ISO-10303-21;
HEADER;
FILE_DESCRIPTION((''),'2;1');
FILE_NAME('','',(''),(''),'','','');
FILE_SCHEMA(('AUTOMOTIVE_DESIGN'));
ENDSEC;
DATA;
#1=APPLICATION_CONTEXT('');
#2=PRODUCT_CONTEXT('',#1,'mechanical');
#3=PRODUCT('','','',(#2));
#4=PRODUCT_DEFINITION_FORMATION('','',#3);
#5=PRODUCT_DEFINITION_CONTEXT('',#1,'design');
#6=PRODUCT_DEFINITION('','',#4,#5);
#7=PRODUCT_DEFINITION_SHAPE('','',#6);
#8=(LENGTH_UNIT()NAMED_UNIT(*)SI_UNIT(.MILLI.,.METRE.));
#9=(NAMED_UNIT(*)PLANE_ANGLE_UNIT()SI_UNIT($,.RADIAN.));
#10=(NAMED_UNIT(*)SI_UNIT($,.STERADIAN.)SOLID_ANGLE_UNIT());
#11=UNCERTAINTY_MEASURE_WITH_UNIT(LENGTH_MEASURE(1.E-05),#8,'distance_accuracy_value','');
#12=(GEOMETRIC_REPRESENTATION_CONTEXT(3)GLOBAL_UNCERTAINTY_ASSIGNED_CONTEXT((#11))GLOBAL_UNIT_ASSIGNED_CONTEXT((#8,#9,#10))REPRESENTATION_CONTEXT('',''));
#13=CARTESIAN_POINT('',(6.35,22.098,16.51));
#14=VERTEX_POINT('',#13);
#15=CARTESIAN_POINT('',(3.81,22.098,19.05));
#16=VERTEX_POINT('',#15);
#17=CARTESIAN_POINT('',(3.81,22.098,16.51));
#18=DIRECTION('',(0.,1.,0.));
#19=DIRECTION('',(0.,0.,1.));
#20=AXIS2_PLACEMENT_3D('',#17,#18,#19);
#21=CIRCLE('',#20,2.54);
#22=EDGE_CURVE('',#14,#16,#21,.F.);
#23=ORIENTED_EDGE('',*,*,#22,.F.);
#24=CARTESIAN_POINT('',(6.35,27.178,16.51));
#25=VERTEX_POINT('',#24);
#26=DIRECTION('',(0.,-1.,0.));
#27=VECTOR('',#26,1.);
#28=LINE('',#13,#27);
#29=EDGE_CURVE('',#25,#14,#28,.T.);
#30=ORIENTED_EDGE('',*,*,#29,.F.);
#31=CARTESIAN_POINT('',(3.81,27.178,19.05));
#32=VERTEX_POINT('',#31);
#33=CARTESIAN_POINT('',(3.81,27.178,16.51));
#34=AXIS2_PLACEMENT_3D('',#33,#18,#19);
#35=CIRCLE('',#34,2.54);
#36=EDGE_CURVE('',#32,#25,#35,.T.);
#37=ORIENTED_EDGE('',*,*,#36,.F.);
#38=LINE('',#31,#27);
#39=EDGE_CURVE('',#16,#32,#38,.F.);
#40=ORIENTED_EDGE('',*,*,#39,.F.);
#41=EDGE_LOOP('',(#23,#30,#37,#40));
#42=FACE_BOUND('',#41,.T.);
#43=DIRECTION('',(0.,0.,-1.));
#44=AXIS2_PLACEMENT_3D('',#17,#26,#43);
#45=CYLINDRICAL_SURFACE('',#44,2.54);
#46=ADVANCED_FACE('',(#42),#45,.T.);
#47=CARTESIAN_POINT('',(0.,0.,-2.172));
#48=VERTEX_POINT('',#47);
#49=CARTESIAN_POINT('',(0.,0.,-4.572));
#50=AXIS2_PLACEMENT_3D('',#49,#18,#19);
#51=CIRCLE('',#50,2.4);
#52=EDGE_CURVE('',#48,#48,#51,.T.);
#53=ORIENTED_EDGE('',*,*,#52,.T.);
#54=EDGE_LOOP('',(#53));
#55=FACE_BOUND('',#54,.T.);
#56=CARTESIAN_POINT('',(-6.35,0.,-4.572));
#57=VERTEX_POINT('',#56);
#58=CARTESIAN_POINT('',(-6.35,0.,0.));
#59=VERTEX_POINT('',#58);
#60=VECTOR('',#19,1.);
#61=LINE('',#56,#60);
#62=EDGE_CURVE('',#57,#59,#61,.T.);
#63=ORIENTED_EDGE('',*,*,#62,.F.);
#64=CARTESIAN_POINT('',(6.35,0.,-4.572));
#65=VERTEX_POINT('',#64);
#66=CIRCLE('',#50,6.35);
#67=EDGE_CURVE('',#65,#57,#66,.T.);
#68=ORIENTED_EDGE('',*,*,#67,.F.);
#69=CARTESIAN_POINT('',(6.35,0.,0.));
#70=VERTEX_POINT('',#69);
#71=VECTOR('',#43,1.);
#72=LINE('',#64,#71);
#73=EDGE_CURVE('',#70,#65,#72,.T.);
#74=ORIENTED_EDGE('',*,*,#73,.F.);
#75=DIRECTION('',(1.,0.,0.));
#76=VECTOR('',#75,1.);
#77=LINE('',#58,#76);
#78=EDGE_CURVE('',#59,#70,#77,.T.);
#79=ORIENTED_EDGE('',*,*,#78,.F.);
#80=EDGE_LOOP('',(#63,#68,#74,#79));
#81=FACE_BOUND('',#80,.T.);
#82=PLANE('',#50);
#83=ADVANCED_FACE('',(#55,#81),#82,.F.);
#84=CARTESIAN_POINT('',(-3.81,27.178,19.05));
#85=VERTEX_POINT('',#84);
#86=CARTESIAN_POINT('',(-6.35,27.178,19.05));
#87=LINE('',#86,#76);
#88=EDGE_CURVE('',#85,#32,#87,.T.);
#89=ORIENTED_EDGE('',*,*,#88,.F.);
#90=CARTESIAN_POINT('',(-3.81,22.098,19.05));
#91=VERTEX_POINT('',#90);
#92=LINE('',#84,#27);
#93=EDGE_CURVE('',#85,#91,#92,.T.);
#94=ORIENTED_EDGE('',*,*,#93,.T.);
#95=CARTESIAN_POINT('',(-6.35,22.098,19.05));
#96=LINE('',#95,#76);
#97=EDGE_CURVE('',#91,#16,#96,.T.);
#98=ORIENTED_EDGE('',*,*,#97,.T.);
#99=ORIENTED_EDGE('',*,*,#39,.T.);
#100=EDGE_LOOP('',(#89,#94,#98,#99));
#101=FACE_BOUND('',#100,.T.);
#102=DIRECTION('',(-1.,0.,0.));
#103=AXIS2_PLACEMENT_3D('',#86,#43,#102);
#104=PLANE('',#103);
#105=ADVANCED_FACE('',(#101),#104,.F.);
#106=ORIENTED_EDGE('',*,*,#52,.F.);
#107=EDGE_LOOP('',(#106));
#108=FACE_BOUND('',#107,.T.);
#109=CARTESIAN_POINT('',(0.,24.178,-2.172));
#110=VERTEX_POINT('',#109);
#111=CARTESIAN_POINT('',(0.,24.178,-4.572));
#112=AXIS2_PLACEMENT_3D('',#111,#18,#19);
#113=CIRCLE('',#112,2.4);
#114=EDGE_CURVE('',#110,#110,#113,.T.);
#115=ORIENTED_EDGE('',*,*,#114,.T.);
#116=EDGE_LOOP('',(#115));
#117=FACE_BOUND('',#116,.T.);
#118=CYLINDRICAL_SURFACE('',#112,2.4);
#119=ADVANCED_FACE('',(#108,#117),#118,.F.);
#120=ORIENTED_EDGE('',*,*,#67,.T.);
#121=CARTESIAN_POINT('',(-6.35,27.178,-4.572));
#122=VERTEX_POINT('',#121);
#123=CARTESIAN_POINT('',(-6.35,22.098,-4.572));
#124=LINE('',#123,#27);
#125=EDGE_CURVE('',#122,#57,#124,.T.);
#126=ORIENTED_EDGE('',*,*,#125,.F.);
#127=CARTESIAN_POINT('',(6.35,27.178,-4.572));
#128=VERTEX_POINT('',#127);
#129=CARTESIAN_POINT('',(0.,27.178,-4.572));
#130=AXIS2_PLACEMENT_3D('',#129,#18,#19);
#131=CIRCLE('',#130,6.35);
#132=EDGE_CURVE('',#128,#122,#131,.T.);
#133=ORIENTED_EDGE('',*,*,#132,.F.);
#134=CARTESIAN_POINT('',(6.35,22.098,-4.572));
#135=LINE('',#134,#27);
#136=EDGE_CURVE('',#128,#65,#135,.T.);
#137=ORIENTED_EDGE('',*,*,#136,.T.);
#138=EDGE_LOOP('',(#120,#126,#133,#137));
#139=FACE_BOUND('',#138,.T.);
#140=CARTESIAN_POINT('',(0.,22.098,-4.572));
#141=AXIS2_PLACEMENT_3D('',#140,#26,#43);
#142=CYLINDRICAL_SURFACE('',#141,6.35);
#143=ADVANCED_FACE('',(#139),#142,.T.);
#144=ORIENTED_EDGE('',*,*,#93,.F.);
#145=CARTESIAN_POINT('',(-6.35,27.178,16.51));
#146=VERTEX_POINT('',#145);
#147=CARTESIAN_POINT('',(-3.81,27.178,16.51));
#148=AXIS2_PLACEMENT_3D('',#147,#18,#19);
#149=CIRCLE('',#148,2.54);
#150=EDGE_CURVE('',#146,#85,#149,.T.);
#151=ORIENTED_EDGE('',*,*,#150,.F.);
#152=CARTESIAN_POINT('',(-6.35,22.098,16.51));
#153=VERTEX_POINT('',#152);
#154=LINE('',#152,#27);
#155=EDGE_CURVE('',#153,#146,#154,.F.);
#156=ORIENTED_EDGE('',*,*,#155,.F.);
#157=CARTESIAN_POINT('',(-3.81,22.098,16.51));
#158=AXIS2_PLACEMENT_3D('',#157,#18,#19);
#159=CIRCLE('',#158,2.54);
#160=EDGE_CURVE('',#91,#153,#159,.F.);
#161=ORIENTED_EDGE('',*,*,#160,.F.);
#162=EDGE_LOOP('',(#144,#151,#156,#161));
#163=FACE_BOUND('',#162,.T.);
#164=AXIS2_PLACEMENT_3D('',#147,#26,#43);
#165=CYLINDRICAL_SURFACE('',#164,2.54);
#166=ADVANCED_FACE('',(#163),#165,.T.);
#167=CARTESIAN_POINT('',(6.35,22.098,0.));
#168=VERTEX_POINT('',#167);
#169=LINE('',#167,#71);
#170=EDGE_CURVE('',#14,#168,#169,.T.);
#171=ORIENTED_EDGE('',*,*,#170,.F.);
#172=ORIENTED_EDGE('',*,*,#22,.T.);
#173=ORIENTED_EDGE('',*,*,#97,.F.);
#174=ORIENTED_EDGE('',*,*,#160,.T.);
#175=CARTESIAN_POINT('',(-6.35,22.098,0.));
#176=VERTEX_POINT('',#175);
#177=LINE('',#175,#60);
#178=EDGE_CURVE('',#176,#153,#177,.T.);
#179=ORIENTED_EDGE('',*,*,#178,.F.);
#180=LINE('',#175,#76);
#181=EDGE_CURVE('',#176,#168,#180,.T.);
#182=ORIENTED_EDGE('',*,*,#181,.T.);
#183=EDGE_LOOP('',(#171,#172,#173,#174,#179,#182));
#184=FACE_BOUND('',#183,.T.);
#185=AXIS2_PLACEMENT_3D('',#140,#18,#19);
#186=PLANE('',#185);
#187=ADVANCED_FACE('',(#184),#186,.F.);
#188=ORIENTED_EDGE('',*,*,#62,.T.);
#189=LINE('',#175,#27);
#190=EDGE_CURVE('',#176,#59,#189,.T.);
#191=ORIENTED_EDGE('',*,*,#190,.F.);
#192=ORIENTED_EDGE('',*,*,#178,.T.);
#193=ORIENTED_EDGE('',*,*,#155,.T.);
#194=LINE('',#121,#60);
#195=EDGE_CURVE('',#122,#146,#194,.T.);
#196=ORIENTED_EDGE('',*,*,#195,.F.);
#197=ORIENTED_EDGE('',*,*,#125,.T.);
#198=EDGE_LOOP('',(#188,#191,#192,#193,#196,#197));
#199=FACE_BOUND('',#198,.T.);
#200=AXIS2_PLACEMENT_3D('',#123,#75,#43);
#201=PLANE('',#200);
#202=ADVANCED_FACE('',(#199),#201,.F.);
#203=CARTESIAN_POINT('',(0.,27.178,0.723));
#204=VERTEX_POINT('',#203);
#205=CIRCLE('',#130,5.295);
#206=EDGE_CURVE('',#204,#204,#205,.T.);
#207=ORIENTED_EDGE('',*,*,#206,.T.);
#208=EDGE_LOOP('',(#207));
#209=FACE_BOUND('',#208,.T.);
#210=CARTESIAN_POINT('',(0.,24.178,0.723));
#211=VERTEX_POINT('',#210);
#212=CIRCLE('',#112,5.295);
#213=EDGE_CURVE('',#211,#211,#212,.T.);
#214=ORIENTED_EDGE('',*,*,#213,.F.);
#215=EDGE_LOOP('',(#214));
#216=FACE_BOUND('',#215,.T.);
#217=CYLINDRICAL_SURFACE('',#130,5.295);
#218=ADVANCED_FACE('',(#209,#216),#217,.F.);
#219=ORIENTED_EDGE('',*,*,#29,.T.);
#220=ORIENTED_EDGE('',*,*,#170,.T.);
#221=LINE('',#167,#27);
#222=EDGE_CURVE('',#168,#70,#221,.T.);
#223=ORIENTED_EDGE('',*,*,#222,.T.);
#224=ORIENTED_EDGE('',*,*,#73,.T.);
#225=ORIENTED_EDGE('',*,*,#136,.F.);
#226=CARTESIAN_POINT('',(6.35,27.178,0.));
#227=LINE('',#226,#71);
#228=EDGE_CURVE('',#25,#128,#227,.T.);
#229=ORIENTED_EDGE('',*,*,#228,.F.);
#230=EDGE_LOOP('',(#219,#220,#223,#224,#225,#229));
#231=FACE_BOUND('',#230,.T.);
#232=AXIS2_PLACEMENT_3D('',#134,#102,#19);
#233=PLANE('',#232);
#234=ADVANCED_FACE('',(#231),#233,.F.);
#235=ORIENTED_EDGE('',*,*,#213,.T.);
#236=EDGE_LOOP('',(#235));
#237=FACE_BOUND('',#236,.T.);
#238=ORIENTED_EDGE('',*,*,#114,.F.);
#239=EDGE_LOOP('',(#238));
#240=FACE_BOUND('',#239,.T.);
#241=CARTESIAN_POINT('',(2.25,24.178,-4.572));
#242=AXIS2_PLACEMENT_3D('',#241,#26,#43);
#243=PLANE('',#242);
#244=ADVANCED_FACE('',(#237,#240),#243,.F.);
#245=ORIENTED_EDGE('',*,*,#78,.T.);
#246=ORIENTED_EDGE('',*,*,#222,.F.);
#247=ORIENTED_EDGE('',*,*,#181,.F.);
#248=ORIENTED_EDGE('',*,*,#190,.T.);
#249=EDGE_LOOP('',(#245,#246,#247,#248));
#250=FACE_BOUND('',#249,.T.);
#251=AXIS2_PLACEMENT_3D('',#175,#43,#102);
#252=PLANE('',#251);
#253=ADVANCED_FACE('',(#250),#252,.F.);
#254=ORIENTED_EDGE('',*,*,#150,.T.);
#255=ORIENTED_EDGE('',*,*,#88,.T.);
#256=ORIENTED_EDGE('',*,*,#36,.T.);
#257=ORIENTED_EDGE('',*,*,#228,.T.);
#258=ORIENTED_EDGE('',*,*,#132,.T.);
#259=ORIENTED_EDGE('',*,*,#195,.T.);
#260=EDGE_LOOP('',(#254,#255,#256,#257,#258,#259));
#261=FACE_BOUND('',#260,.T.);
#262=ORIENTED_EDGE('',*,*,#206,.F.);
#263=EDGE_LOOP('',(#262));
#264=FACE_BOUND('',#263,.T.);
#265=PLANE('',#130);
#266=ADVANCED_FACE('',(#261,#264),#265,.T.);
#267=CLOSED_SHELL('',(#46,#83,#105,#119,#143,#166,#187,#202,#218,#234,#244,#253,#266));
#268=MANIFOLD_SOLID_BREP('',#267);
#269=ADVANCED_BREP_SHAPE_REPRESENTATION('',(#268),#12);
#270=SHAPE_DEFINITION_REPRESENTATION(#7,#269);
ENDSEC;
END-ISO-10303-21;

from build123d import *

# Parameters (mm, degrees)
BOSS_EXTRUDE1_DEPTH                              = 22.098
BOSS_EXTRUDE2_DEPTH                              = 5.08
FILLET1_R                                        = 2.54
CBORE_FOR_M4_HEX_HEAD_MACHINE_SCREW1_D           = 4.5
CBORE_FOR_M4_HEX_HEAD_MACHINE_SCREW1_CBORE_D     = 10.59
CBORE_FOR_M4_HEX_HEAD_MACHINE_SCREW1_CBORE_DEPTH = 3
M4_CLEARANCE_HOLE1_D                             = 4.8


with BuildPart() as part:
    # Sketch1 → Boss-Extrude1 (new body)
    with BuildSketch(Plane(origin=(0, 0, 0), x_dir=(1, 0, 0), z_dir=(0, 1, 0))):
        with BuildLine():
            Line((-6.35, 4.572), (-6.35, 0))
            Line((-6.35, 0), (6.35, 0))
            Line((6.35, 0), (6.35, 4.572))
            ThreePointArc((6.35, 4.572), (0, 10.922), (-6.35, 4.572))
        make_face()
    extrude(amount=BOSS_EXTRUDE1_DEPTH)

    # Sketch2 → Boss-Extrude2 (add)
    with BuildSketch(Plane(origin=(0, 22.098, 0), x_dir=(1, 0, 0), z_dir=(0, 1, 0))):
        with BuildLine():
            Line((-6.35, 0), (-6.35, -19.05))
            Line((-6.35, -19.05), (6.35, -19.05))
            Line((6.35, -19.05), (6.35, 0))
            Line((6.35, 0), (6.35, 4.572))
            ThreePointArc((6.35, 4.572), (0, 10.922), (-6.35, 4.572))
            Line((-6.35, 4.572), (-6.35, 0))
        make_face()
    extrude(amount=BOSS_EXTRUDE2_DEPTH)

    # Fillet1
    fillet1_edges = [part.edges().sort_by_distance(p)[0] for p in [
        (6.35, 24.638, 19.05),
        (-6.35, 24.638, 19.05),
    ]]
    fillet(fillet1_edges, radius=FILLET1_R)

    # CBORE for M4 Hex Head Machine Screw1 (through all)
    with Locations(Plane(origin=(0, 27.178, 0), x_dir=(1, 0, 0), z_dir=(0, 1, 0))):
        with Locations((0, 4.572)):
            CounterBoreHole(CBORE_FOR_M4_HEX_HEAD_MACHINE_SCREW1_D / 2, CBORE_FOR_M4_HEX_HEAD_MACHINE_SCREW1_CBORE_D / 2, CBORE_FOR_M4_HEX_HEAD_MACHINE_SCREW1_CBORE_DEPTH)

    # M4 Clearance Hole1 (through all)
    with Locations(Plane(origin=(0, 24.178, 0), x_dir=(1, 0, 0), z_dir=(0, 1, 0))):
        with Locations((0, 4.572)):
            Hole(M4_CLEARANCE_HOLE1_D / 2)


solid = part.part
